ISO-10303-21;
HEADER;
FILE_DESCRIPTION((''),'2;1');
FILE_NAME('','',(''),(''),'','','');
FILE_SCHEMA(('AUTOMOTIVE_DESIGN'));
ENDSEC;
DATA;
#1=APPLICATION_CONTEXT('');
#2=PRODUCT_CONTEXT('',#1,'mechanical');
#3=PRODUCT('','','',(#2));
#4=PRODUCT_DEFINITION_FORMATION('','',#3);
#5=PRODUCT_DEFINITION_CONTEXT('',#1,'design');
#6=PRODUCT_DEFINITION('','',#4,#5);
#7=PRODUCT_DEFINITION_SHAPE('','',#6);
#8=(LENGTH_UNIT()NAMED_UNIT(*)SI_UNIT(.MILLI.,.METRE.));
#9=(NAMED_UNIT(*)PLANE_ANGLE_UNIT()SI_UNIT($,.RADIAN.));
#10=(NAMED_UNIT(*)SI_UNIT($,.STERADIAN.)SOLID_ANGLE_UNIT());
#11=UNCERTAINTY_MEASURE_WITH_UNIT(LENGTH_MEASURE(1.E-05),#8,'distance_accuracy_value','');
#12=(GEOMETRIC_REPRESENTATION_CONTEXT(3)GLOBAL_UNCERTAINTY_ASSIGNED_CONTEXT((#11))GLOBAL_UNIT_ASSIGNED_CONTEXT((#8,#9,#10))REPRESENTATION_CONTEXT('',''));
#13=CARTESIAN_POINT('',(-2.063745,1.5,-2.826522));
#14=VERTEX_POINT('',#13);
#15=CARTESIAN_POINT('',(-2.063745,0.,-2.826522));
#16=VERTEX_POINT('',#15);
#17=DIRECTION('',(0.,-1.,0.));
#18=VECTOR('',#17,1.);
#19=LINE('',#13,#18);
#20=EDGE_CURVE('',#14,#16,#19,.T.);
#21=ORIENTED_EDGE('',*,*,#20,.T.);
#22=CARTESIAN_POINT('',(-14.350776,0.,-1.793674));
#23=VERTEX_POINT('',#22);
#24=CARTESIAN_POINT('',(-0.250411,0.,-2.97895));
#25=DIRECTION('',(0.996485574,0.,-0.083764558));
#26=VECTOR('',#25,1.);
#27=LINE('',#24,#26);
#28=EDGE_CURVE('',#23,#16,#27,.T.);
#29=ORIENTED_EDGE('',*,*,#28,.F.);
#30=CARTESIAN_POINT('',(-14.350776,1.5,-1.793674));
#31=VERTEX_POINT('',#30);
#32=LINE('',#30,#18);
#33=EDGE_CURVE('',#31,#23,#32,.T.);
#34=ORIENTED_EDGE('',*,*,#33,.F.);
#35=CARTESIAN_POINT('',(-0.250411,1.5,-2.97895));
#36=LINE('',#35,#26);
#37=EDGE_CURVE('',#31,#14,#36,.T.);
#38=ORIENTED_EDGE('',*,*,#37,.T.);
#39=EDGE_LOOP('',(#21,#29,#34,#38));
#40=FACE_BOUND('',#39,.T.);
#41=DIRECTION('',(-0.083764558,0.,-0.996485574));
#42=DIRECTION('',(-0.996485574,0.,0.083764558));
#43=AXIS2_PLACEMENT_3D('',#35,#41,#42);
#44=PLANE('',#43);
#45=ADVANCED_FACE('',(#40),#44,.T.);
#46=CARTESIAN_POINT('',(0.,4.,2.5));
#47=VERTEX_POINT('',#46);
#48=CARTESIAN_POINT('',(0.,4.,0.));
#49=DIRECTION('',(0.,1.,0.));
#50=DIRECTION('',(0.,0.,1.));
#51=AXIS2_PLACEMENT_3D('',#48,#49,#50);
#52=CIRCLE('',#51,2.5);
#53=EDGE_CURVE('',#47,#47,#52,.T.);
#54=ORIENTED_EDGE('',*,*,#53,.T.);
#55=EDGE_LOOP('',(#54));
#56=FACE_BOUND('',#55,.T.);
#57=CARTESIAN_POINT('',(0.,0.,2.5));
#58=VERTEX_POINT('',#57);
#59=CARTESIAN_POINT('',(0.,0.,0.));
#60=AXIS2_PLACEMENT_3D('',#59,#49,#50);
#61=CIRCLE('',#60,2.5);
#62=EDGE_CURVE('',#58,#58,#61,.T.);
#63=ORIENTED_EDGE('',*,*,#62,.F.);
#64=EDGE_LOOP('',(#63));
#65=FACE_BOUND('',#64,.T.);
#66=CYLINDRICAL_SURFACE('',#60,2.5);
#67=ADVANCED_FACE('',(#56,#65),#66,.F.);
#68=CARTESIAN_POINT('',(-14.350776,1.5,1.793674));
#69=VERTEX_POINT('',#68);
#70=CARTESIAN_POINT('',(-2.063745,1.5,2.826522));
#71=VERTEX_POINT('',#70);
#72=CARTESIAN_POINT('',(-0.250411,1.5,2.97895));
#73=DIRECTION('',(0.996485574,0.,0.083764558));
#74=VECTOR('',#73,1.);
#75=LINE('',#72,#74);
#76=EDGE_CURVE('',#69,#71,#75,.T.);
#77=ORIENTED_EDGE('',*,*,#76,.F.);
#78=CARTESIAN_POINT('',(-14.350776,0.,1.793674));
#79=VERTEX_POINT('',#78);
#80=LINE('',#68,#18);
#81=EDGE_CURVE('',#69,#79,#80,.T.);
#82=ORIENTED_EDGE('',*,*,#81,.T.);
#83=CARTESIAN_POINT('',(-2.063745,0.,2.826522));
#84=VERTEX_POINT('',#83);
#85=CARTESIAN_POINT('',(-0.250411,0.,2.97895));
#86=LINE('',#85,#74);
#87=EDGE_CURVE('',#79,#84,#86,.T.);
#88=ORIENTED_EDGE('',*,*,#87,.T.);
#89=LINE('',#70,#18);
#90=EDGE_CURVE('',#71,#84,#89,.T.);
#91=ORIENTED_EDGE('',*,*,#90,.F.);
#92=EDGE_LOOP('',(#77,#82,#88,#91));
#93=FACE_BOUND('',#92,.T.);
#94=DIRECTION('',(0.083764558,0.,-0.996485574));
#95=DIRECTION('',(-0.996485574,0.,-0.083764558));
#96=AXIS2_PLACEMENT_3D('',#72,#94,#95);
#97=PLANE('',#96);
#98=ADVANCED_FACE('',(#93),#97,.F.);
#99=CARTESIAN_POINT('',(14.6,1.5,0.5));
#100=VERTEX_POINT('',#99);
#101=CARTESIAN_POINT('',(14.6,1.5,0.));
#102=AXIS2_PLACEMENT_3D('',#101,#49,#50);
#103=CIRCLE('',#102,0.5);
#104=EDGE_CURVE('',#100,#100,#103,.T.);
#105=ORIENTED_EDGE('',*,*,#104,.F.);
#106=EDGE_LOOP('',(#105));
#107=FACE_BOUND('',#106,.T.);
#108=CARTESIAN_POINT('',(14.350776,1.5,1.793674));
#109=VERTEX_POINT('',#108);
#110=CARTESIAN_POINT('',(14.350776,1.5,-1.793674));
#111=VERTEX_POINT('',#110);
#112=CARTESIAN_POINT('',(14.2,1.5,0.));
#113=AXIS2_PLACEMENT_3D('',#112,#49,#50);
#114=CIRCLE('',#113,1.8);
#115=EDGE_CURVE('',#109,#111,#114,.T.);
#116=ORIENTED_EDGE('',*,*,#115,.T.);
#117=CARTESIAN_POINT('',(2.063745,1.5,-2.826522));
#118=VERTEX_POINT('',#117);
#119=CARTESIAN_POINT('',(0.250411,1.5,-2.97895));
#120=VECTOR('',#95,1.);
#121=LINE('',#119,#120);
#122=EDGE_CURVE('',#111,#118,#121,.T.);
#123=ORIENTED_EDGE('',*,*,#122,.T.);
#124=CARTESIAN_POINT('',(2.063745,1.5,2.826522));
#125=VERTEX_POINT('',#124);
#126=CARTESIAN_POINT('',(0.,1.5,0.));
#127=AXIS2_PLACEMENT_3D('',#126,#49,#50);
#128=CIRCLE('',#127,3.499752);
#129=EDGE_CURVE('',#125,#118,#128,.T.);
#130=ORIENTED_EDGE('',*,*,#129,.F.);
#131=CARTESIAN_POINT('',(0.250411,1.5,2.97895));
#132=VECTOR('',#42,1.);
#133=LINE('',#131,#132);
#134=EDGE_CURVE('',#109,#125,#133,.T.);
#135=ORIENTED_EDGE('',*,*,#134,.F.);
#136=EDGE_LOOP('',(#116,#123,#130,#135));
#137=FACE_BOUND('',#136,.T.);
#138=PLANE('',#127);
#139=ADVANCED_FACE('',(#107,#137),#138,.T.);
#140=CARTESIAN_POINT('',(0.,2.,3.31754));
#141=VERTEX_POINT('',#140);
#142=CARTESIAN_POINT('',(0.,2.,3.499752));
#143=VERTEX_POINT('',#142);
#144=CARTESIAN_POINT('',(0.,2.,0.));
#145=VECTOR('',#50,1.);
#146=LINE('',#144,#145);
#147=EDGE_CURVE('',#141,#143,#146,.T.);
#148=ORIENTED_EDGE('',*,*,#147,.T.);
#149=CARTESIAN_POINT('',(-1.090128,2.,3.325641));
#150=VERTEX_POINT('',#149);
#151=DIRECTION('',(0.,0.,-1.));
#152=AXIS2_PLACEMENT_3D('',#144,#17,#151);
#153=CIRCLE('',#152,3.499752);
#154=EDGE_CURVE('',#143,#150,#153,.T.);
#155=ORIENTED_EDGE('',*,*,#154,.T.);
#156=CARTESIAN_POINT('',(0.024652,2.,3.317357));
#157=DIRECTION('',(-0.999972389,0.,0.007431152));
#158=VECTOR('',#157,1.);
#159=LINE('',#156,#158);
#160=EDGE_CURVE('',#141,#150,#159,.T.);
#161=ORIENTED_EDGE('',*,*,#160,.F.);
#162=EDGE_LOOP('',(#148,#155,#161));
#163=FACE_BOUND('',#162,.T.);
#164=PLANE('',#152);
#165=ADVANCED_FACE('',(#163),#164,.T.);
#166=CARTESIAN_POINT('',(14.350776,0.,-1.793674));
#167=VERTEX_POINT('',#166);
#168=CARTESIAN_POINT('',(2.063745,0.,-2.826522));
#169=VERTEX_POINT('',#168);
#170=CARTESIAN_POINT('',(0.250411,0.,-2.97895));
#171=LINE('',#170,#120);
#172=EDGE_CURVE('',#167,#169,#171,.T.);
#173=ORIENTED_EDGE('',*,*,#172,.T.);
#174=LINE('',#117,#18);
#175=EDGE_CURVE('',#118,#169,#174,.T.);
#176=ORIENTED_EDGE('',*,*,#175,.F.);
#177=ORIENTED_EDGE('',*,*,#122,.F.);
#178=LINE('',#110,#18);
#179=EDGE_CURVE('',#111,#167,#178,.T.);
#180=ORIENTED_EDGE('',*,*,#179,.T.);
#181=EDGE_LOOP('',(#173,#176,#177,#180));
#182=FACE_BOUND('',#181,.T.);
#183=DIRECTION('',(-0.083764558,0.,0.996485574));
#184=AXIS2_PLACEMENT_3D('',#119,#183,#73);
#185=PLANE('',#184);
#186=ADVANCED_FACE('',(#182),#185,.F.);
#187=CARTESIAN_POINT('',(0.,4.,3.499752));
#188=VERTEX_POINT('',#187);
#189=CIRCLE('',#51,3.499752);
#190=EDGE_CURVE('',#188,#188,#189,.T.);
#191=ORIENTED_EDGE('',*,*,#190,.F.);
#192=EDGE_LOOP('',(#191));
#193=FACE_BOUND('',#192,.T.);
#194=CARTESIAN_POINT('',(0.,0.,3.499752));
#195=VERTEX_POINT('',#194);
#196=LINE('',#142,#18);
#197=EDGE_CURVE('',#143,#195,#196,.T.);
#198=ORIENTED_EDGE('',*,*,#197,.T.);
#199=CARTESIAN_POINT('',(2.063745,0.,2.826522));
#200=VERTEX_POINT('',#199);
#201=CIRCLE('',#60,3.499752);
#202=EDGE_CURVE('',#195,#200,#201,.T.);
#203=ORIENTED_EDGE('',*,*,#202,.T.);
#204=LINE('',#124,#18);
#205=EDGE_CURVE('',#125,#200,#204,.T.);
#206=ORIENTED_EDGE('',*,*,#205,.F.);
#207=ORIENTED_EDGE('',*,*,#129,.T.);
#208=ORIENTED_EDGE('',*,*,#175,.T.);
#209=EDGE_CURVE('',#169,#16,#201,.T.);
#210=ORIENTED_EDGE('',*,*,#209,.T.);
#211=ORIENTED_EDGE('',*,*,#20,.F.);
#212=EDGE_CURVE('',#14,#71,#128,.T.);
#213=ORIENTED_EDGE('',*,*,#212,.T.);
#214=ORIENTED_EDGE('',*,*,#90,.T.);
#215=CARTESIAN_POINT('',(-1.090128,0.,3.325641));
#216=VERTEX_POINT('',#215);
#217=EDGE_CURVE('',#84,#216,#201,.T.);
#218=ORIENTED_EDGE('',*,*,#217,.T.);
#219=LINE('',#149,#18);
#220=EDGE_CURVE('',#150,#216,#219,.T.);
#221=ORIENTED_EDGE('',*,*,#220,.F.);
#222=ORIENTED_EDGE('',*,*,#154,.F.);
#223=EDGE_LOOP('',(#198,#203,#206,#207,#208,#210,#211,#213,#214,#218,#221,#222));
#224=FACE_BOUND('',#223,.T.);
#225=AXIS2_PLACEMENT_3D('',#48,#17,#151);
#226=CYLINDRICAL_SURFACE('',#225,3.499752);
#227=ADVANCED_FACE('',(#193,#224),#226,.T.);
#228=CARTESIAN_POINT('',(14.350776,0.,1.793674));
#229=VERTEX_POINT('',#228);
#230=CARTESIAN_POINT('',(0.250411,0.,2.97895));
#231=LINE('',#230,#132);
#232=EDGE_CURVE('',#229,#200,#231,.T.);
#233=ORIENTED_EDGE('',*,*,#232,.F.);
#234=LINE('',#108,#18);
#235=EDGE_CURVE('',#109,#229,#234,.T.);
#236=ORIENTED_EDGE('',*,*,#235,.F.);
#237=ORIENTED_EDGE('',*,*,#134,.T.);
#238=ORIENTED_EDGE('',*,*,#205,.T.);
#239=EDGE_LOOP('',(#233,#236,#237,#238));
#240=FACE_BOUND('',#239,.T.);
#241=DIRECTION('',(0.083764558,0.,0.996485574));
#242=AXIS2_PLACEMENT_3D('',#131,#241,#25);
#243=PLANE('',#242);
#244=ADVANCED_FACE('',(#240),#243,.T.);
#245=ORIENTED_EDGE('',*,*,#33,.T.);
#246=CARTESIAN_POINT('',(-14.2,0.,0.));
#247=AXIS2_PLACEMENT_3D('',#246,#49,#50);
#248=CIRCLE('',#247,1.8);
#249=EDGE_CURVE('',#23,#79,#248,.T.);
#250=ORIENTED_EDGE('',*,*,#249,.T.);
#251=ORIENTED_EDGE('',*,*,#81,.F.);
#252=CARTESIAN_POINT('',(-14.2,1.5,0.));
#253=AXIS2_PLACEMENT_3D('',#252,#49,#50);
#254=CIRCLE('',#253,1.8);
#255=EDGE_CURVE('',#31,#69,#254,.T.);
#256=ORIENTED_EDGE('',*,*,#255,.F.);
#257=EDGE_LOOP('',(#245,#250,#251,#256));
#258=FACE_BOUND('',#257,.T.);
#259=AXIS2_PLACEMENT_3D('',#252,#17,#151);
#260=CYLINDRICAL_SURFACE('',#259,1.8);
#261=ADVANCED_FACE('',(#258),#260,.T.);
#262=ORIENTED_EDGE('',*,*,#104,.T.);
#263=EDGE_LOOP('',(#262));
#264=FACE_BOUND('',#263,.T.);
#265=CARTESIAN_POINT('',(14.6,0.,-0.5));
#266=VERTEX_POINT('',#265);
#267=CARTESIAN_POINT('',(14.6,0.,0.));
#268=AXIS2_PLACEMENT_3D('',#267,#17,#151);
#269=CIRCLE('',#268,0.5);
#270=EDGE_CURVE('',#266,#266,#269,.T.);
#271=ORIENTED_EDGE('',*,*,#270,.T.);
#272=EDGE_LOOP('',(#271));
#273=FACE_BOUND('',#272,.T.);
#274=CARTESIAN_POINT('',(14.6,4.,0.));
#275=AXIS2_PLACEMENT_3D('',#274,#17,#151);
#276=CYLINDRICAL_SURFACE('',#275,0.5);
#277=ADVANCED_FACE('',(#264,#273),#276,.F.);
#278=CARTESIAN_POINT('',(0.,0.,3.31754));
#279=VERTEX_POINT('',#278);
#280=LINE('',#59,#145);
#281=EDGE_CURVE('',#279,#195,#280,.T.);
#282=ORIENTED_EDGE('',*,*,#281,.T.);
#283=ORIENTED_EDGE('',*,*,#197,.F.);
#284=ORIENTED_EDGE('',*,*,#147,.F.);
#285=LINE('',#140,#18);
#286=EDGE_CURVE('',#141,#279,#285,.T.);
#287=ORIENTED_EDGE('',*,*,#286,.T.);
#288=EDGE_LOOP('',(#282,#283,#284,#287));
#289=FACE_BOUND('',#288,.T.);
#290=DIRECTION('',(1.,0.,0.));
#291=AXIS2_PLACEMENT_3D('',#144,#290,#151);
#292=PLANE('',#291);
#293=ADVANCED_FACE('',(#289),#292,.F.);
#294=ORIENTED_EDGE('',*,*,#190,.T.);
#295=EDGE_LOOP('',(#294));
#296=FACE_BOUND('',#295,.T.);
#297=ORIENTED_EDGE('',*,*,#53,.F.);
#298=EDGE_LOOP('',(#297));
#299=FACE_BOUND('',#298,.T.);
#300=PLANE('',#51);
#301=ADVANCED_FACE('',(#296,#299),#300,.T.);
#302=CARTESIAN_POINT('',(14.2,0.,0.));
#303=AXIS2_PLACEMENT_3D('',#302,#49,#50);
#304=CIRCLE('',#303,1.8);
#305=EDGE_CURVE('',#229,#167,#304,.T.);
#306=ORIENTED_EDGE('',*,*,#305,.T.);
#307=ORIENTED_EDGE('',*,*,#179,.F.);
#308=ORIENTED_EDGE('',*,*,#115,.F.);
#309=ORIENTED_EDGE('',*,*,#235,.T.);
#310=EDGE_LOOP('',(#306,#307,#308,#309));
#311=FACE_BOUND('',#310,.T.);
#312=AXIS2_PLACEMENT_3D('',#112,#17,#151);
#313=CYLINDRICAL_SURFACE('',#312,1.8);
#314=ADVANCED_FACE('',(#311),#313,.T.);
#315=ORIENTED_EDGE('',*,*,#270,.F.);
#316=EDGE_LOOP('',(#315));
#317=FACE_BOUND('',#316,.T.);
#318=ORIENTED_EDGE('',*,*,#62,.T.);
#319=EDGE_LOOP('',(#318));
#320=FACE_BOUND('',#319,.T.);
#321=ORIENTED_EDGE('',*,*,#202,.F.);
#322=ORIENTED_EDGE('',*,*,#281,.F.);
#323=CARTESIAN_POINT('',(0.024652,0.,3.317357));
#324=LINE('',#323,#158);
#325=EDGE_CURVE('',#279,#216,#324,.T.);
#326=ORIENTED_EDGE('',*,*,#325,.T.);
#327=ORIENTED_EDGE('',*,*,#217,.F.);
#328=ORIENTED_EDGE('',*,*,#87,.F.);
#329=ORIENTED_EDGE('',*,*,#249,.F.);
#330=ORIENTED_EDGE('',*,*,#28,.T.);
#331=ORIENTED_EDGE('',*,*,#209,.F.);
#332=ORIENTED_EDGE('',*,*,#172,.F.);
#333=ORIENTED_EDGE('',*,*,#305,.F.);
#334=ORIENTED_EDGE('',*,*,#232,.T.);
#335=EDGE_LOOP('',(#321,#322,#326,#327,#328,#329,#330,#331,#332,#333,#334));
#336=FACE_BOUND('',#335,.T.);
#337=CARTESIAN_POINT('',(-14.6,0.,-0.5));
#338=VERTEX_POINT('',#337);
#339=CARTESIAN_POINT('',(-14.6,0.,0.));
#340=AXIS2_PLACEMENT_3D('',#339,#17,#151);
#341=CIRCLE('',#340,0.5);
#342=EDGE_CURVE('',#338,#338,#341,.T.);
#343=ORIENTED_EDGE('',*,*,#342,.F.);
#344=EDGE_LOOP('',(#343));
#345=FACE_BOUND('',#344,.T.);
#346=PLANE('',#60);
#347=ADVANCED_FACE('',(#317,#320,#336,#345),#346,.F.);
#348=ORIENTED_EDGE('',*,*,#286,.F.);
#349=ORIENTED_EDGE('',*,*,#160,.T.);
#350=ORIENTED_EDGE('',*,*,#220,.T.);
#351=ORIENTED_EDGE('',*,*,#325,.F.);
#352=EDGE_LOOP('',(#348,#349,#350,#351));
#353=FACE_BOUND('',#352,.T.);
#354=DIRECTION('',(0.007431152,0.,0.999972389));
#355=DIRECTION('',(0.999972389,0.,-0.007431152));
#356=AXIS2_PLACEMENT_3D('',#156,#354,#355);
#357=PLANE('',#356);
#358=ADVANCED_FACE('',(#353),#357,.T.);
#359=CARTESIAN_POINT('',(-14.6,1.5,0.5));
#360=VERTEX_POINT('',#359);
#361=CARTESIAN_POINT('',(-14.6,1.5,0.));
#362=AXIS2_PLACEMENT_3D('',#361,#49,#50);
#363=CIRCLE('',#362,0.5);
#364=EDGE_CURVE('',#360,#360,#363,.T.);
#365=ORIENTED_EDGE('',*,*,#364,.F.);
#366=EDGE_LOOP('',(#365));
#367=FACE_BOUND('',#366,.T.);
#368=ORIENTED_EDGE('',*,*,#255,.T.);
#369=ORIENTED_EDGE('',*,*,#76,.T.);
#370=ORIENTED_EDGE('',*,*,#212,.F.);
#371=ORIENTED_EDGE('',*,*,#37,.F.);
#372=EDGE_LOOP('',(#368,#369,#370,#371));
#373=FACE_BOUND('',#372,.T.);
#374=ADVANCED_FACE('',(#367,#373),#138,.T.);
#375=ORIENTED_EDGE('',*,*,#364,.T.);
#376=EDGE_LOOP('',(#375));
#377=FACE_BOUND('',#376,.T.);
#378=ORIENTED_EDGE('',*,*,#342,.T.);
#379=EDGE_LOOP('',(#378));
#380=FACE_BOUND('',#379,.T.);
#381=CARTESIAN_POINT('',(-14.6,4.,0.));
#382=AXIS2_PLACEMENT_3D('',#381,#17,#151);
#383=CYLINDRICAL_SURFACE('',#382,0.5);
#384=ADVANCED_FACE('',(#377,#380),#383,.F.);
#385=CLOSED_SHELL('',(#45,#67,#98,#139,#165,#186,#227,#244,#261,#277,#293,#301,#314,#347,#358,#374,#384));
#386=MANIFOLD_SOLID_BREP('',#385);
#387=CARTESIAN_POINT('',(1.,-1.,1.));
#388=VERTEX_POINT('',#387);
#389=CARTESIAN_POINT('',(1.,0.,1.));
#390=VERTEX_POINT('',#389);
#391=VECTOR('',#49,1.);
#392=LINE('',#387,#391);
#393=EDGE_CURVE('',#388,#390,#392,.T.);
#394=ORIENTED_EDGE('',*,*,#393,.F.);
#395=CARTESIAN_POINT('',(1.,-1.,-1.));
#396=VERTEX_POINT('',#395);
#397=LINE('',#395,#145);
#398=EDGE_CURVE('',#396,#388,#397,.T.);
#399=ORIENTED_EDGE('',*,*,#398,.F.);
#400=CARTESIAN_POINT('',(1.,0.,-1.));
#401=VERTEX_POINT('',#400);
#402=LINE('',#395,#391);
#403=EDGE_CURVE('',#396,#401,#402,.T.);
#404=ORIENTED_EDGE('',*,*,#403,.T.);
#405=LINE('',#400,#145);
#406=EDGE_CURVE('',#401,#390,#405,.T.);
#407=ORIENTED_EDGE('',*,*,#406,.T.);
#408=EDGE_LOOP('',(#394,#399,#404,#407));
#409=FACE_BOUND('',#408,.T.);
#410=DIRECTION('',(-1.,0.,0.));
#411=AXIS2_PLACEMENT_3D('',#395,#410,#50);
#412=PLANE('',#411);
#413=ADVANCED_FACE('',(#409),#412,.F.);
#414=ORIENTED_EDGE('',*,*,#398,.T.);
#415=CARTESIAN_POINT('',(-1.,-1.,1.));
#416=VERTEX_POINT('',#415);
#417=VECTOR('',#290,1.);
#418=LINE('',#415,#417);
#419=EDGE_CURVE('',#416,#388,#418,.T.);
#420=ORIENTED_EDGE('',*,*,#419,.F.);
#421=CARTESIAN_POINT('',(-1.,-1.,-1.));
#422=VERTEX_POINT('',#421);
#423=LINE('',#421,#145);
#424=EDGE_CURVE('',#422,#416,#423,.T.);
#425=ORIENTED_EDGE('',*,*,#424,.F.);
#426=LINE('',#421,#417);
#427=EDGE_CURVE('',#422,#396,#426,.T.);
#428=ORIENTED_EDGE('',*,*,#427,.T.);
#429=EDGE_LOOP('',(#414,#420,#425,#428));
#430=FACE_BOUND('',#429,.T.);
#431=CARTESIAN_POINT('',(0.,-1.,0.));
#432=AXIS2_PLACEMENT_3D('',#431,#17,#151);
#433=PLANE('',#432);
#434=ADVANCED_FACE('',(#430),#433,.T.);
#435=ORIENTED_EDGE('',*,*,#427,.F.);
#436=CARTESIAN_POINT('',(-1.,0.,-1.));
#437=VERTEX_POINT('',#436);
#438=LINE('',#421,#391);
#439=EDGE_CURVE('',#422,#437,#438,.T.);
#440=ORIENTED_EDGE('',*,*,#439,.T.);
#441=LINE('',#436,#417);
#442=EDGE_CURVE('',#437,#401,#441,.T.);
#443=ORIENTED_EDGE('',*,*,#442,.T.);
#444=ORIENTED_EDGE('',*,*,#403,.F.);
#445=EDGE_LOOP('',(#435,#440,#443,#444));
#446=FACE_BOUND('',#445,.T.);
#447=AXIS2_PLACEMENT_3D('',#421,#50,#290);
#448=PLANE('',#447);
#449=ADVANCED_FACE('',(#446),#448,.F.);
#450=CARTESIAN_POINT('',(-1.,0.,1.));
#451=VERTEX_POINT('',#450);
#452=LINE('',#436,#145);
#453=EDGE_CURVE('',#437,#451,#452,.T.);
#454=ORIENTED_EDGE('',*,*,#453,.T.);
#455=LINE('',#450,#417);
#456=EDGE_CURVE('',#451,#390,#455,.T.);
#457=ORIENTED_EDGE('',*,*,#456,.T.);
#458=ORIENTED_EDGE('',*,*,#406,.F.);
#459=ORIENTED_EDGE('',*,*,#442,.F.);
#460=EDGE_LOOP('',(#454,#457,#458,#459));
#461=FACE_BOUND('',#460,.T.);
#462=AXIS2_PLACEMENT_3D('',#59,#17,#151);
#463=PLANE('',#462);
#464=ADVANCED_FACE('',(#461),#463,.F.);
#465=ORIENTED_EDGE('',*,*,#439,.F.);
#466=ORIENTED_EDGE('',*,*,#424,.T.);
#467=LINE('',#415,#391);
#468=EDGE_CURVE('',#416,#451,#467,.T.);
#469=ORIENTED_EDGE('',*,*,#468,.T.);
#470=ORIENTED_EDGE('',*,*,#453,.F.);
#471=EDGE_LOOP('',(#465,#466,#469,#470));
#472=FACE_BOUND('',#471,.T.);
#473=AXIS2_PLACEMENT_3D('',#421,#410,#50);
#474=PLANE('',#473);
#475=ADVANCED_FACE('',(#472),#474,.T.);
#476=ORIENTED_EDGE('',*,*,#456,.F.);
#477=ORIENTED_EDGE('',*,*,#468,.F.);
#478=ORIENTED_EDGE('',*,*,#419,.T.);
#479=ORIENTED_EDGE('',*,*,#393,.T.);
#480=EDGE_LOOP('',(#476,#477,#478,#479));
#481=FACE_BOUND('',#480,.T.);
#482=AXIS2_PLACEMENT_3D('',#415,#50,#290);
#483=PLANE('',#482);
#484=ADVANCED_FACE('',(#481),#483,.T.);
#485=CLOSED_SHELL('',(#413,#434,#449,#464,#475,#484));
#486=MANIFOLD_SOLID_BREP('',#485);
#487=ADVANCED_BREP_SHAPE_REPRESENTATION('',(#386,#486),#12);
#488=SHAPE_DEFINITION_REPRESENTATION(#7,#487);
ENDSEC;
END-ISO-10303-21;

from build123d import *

# Parameters (mm, degrees)
EXTRUDE_1_DEPTH     = 1.5
EXTRUDE_1_2_DEPTH   = 1.5
SKETCH_1_4_R        = 3.499752311
EXTRUDE_2_DEPTH     = 4
SKETCH_2_R          = 2.5
CUT_EXTRUDE_1_DEPTH = 4
SKETCH_3_R          = 0.5
CUT_EXTRUDE_2_DEPTH = 4
CUT_EXTRUDE_3_DEPTH = 2
SKETCH_5_W          = 2
SKETCH_5_H          = 2
EXTRUDE_3_DEPTH     = 1


with BuildPart() as part:
    # 草图1 → 凸台-拉伸1 (new body)
    with BuildSketch(Plane(origin=(0, 0, 0), x_dir=(1, 0, 0), z_dir=(0, 1, 0))):
        with BuildLine():
            Line((2.063744522, -2.826521676), (14.350776204, -1.793674033))
            ThreePointArc((14.350776204, -1.793674033), (16, 0), (14.350776204, 1.793674033))
            Line((14.350776204, 1.793674033), (2.063744522, 2.826521676))
            ThreePointArc((2.063744522, 2.826521676), (3.499752311, 0), (2.063744522, -2.826521676))
        make_face()
    extrude(amount=EXTRUDE_1_DEPTH)



with BuildPart() as body_2:
    # 草图1 → Extrude 1 2 (new body)
    with BuildSketch(Plane(origin=(0, 0, 0), x_dir=(1, 0, 0), z_dir=(0, 1, 0))):
        with BuildLine():
            ThreePointArc((-2.063744522, -2.826521676), (-3.499752311, 0), (-2.063744522, 2.826521676))
            Line((-2.063744522, 2.826521676), (-14.350776204, 1.793674033))
            ThreePointArc((-14.350776204, 1.793674033), (-16, 0), (-14.350776204, -1.793674033))
            Line((-14.350776204, -1.793674033), (-2.063744522, -2.826521676))
        make_face()
    extrude(amount=EXTRUDE_1_2_DEPTH)


with BuildPart() as part_1:
    add(part.part)

    add(body_2.part)  # 凸台-拉伸2 merges body 2
    # 草图1<4> → 凸台-拉伸2 (add)
    with BuildSketch(Plane(origin=(0, 0, 0), x_dir=(1, 0, 0), z_dir=(0, 1, 0))):
        Circle(SKETCH_1_4_R)
    extrude(amount=EXTRUDE_2_DEPTH)

    # 草图2 → 切除-拉伸1 (cut)
    with BuildSketch(Plane(origin=(0, 4, 0), x_dir=(1, 0, 0), z_dir=(0, 1, 0))):
        Circle(SKETCH_2_R)
    extrude(amount=-CUT_EXTRUDE_1_DEPTH, mode=Mode.SUBTRACT)

    # 草图3 → 切除-拉伸2 (cut)
    with BuildSketch(Plane.XZ):
        with Locations((14.6, 0)):
            Circle(SKETCH_3_R)
        with Locations((-14.6, 0)):
            Circle(SKETCH_3_R)
    extrude(amount=-CUT_EXTRUDE_2_DEPTH, mode=Mode.SUBTRACT)

    # 草图4 → 切除-拉伸3 (cut)
    with BuildSketch(Plane.XZ):
        with BuildLine():
            Line((-1.090127756, 3.325640948), (0, 3.317539819))
            Line((0, 3.317539819), (0, 3.499752311))
            ThreePointArc((0, 3.499752311), (-0.551972212, 3.455950363), (-1.090127756, 3.325640948))
        make_face()
    extrude(amount=-CUT_EXTRUDE_3_DEPTH, mode=Mode.SUBTRACT)


with BuildPart() as body_2_2:
    # 草图5 → 凸台-拉伸3 (new body)
    with BuildSketch(Plane.XZ):
        Rectangle(SKETCH_5_W, SKETCH_5_H)
    extrude(amount=EXTRUDE_3_DEPTH)


solid = Compound([part_1.part, body_2_2.part])
